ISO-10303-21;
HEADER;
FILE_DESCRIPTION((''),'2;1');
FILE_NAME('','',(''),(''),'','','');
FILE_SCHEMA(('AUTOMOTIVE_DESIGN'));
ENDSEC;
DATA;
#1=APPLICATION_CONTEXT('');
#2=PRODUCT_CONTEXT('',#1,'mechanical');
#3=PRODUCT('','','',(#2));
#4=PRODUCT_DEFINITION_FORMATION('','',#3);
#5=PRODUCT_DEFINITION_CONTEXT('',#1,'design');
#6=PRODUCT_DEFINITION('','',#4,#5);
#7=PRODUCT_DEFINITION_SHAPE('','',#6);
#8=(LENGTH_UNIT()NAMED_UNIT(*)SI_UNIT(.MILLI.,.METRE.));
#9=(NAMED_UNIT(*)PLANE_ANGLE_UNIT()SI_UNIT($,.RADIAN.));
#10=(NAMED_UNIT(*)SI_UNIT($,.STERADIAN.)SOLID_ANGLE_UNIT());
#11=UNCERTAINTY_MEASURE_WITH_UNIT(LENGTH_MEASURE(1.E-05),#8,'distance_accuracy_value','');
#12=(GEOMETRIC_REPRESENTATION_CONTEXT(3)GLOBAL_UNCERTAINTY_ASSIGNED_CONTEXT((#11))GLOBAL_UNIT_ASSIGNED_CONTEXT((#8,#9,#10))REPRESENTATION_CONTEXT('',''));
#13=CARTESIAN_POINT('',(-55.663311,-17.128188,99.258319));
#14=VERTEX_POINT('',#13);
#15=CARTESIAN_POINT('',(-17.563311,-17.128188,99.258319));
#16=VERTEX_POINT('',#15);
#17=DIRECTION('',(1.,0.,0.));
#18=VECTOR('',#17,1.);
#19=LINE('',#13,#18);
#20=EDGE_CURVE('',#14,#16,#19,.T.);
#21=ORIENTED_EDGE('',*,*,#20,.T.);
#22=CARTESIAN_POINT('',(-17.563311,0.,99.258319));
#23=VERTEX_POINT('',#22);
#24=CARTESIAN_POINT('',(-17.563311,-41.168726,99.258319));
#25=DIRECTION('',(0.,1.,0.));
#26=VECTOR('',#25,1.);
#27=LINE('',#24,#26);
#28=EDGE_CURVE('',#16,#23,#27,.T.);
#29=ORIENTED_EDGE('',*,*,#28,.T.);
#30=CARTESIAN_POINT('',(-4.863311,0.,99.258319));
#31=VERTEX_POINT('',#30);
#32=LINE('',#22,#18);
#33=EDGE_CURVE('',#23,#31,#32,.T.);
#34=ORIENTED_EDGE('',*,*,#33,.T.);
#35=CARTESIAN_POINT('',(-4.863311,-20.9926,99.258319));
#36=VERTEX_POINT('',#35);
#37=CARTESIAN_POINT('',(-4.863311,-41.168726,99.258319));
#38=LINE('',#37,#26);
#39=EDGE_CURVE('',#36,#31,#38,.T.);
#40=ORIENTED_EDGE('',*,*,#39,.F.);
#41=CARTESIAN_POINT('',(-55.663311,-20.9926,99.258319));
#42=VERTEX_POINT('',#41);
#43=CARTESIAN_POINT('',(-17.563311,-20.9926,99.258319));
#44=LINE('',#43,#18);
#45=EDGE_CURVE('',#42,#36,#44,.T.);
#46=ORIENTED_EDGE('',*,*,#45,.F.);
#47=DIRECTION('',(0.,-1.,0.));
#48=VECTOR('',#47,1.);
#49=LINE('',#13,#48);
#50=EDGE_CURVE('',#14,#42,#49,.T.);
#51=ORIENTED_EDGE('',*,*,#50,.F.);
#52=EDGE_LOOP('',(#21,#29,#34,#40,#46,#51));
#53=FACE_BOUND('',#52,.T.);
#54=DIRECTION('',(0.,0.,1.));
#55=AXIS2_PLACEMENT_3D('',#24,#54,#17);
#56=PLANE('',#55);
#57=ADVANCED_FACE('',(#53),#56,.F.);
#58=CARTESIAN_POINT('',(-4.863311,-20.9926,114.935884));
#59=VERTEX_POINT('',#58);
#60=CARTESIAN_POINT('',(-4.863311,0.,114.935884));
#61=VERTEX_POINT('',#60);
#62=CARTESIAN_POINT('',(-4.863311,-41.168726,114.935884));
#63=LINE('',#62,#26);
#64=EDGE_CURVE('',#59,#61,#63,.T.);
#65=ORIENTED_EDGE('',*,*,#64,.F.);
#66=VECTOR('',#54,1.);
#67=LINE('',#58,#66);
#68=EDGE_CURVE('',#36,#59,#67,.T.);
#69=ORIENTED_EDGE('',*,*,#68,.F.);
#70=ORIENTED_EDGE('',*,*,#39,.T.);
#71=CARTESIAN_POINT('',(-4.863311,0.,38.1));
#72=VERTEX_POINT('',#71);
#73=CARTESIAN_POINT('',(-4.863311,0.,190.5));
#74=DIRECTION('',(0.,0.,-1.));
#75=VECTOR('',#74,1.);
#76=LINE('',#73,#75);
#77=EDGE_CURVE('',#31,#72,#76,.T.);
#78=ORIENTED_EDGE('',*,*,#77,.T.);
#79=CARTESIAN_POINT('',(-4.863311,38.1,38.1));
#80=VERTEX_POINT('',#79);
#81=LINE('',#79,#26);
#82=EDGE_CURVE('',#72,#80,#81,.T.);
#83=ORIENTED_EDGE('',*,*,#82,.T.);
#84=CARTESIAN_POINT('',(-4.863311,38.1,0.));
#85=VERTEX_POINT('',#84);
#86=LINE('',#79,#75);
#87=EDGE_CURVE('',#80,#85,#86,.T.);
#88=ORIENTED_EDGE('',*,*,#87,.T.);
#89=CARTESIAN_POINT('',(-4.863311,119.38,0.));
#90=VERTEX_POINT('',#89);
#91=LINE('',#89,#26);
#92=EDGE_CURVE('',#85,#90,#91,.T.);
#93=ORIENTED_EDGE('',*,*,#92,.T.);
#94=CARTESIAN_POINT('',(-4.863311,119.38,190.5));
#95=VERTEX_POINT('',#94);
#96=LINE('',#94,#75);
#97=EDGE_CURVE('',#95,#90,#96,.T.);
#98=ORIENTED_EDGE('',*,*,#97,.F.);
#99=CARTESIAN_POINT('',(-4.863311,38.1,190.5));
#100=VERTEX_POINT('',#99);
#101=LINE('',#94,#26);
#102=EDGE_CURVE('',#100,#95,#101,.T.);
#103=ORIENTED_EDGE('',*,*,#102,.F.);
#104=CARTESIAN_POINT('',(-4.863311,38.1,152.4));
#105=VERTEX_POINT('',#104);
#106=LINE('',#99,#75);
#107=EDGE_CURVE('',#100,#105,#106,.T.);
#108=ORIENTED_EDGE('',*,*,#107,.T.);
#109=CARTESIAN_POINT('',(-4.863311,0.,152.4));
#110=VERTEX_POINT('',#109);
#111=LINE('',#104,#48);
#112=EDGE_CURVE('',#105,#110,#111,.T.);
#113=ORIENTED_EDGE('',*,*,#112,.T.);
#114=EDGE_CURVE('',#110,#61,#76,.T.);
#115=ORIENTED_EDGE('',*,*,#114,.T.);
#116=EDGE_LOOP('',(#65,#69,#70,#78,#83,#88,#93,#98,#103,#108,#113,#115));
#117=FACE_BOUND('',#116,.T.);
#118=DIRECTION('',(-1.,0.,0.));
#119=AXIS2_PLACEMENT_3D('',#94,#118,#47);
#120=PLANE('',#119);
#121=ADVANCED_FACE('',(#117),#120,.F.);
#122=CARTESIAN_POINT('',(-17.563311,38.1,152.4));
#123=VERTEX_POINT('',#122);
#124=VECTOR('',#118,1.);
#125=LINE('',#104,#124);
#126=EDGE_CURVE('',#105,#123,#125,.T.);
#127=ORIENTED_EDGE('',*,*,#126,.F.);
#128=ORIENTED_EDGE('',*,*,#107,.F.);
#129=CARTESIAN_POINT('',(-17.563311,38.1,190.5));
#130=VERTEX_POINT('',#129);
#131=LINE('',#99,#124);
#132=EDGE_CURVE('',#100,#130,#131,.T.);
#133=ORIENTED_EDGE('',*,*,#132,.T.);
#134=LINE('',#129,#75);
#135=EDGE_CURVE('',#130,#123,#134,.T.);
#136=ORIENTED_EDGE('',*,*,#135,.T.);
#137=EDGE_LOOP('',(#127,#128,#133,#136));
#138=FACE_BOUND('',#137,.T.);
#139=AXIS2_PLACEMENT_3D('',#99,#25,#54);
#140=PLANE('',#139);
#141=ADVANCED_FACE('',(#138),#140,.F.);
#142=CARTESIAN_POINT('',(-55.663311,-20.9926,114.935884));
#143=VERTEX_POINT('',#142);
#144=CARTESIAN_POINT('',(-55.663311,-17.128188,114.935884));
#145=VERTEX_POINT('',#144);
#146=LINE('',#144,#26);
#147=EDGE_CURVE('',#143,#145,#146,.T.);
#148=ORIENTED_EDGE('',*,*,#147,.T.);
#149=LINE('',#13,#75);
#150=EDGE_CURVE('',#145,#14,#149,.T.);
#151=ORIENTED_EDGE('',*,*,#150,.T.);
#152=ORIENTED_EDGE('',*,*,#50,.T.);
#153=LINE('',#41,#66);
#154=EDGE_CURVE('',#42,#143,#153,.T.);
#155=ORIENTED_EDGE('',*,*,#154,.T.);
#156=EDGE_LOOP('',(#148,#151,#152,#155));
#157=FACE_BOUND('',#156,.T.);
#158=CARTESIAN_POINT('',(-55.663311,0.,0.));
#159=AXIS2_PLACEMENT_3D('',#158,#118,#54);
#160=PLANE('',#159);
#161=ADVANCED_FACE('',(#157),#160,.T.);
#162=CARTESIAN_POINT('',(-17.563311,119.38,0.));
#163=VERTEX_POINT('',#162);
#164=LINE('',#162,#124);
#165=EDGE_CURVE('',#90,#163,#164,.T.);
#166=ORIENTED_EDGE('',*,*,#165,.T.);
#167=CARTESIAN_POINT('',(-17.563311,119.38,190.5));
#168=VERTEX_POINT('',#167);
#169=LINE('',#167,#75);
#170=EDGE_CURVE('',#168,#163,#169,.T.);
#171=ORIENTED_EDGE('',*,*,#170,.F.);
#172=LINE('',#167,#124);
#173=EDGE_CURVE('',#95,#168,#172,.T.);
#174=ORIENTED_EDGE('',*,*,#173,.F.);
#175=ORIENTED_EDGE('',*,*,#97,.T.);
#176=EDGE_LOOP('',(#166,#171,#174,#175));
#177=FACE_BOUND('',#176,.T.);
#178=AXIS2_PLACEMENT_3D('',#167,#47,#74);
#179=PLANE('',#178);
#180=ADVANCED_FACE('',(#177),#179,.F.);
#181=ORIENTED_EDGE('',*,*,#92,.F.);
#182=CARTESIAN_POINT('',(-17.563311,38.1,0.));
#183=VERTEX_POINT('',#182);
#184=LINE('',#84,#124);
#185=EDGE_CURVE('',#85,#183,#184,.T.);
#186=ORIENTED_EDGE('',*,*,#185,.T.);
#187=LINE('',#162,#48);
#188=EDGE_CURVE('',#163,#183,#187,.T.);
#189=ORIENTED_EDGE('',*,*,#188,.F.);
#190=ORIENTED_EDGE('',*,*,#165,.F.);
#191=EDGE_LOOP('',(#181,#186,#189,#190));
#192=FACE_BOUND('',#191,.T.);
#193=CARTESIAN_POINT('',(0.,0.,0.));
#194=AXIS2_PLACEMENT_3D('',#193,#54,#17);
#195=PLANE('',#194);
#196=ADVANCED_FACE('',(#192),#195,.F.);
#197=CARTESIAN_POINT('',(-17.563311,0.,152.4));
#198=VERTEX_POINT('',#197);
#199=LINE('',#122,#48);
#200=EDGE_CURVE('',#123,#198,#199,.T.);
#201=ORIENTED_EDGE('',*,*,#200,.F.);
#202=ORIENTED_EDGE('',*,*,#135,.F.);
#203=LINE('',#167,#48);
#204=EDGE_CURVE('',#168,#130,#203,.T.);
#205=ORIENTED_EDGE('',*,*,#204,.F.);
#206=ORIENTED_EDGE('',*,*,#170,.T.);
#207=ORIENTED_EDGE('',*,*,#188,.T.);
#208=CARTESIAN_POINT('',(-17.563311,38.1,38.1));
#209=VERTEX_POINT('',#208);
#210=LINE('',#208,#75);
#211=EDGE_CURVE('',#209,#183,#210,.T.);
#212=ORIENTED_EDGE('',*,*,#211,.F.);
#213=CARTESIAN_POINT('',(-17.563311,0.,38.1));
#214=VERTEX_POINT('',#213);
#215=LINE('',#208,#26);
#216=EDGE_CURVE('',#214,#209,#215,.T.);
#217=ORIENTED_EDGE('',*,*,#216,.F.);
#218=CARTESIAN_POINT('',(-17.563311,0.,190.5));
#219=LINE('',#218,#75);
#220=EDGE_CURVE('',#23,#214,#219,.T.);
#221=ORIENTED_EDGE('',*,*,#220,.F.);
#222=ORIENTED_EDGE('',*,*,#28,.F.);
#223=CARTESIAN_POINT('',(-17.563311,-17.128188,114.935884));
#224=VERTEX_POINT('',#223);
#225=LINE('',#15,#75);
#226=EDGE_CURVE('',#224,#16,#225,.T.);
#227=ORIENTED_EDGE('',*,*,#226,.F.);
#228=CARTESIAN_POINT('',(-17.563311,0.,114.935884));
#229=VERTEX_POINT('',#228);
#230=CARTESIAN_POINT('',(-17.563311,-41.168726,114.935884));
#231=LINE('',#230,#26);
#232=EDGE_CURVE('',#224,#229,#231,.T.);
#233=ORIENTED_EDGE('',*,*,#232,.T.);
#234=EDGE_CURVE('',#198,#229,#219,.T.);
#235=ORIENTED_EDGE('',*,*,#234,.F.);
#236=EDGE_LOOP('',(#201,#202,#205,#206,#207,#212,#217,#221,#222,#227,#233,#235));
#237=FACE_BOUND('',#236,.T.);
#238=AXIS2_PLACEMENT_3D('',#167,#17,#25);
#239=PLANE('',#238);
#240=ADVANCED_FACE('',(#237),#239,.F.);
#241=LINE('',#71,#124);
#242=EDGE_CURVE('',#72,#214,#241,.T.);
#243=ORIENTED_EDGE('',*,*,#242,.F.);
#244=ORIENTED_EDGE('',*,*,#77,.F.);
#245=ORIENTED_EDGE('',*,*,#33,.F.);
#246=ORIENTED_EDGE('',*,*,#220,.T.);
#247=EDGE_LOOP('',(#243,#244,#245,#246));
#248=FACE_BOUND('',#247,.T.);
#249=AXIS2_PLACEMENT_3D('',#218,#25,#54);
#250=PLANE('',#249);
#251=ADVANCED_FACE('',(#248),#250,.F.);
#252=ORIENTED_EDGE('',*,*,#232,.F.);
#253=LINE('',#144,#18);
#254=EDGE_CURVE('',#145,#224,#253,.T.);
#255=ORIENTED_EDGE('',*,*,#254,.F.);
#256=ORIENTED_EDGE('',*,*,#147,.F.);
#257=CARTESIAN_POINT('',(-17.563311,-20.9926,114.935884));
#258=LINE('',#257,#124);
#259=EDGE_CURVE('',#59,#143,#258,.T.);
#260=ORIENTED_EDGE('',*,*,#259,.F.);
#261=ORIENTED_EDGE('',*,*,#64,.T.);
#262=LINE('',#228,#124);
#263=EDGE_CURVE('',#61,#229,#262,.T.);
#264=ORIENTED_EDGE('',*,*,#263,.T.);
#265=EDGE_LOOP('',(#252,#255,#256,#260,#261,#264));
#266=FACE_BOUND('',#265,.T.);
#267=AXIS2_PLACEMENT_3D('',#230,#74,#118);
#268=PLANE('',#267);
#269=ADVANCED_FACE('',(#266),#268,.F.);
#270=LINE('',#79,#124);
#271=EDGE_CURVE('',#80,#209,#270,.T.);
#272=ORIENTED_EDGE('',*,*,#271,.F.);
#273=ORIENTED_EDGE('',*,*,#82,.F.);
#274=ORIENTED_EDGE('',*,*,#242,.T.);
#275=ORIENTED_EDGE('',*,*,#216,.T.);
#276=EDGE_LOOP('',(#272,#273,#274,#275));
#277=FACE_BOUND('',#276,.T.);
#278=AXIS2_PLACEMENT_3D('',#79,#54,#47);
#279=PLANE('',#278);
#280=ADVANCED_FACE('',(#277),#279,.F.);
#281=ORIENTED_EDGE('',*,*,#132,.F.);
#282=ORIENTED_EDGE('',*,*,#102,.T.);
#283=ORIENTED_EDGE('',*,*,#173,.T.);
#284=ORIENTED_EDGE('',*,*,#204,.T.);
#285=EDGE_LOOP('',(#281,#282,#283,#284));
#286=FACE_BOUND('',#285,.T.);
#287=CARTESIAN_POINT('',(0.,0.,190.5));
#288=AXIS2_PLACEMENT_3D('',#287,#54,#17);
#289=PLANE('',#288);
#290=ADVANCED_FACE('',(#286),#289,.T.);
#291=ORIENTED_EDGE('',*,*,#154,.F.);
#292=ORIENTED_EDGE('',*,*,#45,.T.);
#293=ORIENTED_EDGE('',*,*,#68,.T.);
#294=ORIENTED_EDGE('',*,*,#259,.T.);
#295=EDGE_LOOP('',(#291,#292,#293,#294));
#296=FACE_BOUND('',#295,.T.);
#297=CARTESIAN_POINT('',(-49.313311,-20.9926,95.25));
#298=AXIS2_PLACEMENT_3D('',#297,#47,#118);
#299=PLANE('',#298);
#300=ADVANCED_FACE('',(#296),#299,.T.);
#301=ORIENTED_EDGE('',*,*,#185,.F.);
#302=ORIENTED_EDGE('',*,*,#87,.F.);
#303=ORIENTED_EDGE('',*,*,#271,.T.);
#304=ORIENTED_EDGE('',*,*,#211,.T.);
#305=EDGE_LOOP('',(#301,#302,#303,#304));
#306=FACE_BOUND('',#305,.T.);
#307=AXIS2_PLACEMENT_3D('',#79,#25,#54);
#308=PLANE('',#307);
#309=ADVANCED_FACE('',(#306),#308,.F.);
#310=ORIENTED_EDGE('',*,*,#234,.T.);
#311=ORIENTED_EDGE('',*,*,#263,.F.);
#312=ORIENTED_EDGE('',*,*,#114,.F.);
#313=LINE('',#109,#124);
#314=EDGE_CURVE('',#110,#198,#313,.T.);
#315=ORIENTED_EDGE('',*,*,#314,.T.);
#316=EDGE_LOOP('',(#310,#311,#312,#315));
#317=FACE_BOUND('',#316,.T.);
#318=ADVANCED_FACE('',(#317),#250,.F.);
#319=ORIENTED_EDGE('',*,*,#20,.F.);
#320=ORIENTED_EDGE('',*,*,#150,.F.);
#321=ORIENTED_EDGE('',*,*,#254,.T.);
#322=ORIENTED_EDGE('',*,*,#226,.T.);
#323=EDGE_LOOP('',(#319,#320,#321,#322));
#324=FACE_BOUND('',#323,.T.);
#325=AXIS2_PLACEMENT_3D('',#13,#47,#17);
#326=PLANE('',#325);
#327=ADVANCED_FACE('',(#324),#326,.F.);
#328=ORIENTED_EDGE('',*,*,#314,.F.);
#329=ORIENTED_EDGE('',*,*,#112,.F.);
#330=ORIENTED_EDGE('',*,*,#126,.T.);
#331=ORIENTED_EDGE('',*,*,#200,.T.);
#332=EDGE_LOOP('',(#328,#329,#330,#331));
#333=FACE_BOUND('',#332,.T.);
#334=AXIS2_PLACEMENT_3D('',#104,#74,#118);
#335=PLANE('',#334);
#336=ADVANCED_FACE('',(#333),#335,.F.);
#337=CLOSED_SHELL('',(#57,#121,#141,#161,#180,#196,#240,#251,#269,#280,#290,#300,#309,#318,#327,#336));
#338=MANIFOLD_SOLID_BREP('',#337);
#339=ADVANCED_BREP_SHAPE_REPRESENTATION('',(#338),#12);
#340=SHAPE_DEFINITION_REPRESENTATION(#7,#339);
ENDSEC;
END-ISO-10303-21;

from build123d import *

# Parameters (mm, degrees)
SKETCH1_W           = 12.7
SKETCH1_H           = 119.38
BOSS_EXTRUDE1_DEPTH = 190.5
SKETCH2_W           = 38.1
SKETCH2_H           = 38.1
CUT_EXTRUDE1_DEPTH  = 226.173542851
SKETCH3_W           = 12.7
SKETCH3_H           = 15.677565112
BOSS_EXTRUDE2_DEPTH = 20.9926
SKETCH4_W           = 15.677565112
SKETCH4_H           = 3.864411614
BOSS_EXTRUDE3_DEPTH = 38.1


with BuildPart() as part:
    # Sketch1 → Boss-Extrude1 (new body)
    with BuildSketch(Plane.XY):
        with Locations((-11.213311432, 59.69)):
            Rectangle(SKETCH1_W, SKETCH1_H)
    extrude(amount=BOSS_EXTRUDE1_DEPTH)

    # Sketch2 → Cut-Extrude1 (cut, through all)
    with BuildSketch(Plane.ZY.offset(17.563311432)):
        with Locations((171.45, 19.05)):
            Rectangle(SKETCH2_W, SKETCH2_H)
        with Locations((19.05, 19.05)):
            Rectangle(SKETCH2_W, SKETCH2_H)
    extrude(amount=-CUT_EXTRUDE1_DEPTH, mode=Mode.SUBTRACT)

    # Sketch3 → Boss-Extrude2 (add)
    with BuildSketch(Plane.XZ):
        with Locations((-11.213311432, 107.097101601)):
            Rectangle(SKETCH3_W, SKETCH3_H)
    extrude(amount=BOSS_EXTRUDE2_DEPTH)

    # Sketch4 → Boss-Extrude3 (add)
    with BuildSketch(Plane.ZY.offset(17.563311432)):
        with Locations((107.097101601, -19.060394193)):
            Rectangle(SKETCH4_W, SKETCH4_H)
    extrude(amount=BOSS_EXTRUDE3_DEPTH)


solid = part.part
